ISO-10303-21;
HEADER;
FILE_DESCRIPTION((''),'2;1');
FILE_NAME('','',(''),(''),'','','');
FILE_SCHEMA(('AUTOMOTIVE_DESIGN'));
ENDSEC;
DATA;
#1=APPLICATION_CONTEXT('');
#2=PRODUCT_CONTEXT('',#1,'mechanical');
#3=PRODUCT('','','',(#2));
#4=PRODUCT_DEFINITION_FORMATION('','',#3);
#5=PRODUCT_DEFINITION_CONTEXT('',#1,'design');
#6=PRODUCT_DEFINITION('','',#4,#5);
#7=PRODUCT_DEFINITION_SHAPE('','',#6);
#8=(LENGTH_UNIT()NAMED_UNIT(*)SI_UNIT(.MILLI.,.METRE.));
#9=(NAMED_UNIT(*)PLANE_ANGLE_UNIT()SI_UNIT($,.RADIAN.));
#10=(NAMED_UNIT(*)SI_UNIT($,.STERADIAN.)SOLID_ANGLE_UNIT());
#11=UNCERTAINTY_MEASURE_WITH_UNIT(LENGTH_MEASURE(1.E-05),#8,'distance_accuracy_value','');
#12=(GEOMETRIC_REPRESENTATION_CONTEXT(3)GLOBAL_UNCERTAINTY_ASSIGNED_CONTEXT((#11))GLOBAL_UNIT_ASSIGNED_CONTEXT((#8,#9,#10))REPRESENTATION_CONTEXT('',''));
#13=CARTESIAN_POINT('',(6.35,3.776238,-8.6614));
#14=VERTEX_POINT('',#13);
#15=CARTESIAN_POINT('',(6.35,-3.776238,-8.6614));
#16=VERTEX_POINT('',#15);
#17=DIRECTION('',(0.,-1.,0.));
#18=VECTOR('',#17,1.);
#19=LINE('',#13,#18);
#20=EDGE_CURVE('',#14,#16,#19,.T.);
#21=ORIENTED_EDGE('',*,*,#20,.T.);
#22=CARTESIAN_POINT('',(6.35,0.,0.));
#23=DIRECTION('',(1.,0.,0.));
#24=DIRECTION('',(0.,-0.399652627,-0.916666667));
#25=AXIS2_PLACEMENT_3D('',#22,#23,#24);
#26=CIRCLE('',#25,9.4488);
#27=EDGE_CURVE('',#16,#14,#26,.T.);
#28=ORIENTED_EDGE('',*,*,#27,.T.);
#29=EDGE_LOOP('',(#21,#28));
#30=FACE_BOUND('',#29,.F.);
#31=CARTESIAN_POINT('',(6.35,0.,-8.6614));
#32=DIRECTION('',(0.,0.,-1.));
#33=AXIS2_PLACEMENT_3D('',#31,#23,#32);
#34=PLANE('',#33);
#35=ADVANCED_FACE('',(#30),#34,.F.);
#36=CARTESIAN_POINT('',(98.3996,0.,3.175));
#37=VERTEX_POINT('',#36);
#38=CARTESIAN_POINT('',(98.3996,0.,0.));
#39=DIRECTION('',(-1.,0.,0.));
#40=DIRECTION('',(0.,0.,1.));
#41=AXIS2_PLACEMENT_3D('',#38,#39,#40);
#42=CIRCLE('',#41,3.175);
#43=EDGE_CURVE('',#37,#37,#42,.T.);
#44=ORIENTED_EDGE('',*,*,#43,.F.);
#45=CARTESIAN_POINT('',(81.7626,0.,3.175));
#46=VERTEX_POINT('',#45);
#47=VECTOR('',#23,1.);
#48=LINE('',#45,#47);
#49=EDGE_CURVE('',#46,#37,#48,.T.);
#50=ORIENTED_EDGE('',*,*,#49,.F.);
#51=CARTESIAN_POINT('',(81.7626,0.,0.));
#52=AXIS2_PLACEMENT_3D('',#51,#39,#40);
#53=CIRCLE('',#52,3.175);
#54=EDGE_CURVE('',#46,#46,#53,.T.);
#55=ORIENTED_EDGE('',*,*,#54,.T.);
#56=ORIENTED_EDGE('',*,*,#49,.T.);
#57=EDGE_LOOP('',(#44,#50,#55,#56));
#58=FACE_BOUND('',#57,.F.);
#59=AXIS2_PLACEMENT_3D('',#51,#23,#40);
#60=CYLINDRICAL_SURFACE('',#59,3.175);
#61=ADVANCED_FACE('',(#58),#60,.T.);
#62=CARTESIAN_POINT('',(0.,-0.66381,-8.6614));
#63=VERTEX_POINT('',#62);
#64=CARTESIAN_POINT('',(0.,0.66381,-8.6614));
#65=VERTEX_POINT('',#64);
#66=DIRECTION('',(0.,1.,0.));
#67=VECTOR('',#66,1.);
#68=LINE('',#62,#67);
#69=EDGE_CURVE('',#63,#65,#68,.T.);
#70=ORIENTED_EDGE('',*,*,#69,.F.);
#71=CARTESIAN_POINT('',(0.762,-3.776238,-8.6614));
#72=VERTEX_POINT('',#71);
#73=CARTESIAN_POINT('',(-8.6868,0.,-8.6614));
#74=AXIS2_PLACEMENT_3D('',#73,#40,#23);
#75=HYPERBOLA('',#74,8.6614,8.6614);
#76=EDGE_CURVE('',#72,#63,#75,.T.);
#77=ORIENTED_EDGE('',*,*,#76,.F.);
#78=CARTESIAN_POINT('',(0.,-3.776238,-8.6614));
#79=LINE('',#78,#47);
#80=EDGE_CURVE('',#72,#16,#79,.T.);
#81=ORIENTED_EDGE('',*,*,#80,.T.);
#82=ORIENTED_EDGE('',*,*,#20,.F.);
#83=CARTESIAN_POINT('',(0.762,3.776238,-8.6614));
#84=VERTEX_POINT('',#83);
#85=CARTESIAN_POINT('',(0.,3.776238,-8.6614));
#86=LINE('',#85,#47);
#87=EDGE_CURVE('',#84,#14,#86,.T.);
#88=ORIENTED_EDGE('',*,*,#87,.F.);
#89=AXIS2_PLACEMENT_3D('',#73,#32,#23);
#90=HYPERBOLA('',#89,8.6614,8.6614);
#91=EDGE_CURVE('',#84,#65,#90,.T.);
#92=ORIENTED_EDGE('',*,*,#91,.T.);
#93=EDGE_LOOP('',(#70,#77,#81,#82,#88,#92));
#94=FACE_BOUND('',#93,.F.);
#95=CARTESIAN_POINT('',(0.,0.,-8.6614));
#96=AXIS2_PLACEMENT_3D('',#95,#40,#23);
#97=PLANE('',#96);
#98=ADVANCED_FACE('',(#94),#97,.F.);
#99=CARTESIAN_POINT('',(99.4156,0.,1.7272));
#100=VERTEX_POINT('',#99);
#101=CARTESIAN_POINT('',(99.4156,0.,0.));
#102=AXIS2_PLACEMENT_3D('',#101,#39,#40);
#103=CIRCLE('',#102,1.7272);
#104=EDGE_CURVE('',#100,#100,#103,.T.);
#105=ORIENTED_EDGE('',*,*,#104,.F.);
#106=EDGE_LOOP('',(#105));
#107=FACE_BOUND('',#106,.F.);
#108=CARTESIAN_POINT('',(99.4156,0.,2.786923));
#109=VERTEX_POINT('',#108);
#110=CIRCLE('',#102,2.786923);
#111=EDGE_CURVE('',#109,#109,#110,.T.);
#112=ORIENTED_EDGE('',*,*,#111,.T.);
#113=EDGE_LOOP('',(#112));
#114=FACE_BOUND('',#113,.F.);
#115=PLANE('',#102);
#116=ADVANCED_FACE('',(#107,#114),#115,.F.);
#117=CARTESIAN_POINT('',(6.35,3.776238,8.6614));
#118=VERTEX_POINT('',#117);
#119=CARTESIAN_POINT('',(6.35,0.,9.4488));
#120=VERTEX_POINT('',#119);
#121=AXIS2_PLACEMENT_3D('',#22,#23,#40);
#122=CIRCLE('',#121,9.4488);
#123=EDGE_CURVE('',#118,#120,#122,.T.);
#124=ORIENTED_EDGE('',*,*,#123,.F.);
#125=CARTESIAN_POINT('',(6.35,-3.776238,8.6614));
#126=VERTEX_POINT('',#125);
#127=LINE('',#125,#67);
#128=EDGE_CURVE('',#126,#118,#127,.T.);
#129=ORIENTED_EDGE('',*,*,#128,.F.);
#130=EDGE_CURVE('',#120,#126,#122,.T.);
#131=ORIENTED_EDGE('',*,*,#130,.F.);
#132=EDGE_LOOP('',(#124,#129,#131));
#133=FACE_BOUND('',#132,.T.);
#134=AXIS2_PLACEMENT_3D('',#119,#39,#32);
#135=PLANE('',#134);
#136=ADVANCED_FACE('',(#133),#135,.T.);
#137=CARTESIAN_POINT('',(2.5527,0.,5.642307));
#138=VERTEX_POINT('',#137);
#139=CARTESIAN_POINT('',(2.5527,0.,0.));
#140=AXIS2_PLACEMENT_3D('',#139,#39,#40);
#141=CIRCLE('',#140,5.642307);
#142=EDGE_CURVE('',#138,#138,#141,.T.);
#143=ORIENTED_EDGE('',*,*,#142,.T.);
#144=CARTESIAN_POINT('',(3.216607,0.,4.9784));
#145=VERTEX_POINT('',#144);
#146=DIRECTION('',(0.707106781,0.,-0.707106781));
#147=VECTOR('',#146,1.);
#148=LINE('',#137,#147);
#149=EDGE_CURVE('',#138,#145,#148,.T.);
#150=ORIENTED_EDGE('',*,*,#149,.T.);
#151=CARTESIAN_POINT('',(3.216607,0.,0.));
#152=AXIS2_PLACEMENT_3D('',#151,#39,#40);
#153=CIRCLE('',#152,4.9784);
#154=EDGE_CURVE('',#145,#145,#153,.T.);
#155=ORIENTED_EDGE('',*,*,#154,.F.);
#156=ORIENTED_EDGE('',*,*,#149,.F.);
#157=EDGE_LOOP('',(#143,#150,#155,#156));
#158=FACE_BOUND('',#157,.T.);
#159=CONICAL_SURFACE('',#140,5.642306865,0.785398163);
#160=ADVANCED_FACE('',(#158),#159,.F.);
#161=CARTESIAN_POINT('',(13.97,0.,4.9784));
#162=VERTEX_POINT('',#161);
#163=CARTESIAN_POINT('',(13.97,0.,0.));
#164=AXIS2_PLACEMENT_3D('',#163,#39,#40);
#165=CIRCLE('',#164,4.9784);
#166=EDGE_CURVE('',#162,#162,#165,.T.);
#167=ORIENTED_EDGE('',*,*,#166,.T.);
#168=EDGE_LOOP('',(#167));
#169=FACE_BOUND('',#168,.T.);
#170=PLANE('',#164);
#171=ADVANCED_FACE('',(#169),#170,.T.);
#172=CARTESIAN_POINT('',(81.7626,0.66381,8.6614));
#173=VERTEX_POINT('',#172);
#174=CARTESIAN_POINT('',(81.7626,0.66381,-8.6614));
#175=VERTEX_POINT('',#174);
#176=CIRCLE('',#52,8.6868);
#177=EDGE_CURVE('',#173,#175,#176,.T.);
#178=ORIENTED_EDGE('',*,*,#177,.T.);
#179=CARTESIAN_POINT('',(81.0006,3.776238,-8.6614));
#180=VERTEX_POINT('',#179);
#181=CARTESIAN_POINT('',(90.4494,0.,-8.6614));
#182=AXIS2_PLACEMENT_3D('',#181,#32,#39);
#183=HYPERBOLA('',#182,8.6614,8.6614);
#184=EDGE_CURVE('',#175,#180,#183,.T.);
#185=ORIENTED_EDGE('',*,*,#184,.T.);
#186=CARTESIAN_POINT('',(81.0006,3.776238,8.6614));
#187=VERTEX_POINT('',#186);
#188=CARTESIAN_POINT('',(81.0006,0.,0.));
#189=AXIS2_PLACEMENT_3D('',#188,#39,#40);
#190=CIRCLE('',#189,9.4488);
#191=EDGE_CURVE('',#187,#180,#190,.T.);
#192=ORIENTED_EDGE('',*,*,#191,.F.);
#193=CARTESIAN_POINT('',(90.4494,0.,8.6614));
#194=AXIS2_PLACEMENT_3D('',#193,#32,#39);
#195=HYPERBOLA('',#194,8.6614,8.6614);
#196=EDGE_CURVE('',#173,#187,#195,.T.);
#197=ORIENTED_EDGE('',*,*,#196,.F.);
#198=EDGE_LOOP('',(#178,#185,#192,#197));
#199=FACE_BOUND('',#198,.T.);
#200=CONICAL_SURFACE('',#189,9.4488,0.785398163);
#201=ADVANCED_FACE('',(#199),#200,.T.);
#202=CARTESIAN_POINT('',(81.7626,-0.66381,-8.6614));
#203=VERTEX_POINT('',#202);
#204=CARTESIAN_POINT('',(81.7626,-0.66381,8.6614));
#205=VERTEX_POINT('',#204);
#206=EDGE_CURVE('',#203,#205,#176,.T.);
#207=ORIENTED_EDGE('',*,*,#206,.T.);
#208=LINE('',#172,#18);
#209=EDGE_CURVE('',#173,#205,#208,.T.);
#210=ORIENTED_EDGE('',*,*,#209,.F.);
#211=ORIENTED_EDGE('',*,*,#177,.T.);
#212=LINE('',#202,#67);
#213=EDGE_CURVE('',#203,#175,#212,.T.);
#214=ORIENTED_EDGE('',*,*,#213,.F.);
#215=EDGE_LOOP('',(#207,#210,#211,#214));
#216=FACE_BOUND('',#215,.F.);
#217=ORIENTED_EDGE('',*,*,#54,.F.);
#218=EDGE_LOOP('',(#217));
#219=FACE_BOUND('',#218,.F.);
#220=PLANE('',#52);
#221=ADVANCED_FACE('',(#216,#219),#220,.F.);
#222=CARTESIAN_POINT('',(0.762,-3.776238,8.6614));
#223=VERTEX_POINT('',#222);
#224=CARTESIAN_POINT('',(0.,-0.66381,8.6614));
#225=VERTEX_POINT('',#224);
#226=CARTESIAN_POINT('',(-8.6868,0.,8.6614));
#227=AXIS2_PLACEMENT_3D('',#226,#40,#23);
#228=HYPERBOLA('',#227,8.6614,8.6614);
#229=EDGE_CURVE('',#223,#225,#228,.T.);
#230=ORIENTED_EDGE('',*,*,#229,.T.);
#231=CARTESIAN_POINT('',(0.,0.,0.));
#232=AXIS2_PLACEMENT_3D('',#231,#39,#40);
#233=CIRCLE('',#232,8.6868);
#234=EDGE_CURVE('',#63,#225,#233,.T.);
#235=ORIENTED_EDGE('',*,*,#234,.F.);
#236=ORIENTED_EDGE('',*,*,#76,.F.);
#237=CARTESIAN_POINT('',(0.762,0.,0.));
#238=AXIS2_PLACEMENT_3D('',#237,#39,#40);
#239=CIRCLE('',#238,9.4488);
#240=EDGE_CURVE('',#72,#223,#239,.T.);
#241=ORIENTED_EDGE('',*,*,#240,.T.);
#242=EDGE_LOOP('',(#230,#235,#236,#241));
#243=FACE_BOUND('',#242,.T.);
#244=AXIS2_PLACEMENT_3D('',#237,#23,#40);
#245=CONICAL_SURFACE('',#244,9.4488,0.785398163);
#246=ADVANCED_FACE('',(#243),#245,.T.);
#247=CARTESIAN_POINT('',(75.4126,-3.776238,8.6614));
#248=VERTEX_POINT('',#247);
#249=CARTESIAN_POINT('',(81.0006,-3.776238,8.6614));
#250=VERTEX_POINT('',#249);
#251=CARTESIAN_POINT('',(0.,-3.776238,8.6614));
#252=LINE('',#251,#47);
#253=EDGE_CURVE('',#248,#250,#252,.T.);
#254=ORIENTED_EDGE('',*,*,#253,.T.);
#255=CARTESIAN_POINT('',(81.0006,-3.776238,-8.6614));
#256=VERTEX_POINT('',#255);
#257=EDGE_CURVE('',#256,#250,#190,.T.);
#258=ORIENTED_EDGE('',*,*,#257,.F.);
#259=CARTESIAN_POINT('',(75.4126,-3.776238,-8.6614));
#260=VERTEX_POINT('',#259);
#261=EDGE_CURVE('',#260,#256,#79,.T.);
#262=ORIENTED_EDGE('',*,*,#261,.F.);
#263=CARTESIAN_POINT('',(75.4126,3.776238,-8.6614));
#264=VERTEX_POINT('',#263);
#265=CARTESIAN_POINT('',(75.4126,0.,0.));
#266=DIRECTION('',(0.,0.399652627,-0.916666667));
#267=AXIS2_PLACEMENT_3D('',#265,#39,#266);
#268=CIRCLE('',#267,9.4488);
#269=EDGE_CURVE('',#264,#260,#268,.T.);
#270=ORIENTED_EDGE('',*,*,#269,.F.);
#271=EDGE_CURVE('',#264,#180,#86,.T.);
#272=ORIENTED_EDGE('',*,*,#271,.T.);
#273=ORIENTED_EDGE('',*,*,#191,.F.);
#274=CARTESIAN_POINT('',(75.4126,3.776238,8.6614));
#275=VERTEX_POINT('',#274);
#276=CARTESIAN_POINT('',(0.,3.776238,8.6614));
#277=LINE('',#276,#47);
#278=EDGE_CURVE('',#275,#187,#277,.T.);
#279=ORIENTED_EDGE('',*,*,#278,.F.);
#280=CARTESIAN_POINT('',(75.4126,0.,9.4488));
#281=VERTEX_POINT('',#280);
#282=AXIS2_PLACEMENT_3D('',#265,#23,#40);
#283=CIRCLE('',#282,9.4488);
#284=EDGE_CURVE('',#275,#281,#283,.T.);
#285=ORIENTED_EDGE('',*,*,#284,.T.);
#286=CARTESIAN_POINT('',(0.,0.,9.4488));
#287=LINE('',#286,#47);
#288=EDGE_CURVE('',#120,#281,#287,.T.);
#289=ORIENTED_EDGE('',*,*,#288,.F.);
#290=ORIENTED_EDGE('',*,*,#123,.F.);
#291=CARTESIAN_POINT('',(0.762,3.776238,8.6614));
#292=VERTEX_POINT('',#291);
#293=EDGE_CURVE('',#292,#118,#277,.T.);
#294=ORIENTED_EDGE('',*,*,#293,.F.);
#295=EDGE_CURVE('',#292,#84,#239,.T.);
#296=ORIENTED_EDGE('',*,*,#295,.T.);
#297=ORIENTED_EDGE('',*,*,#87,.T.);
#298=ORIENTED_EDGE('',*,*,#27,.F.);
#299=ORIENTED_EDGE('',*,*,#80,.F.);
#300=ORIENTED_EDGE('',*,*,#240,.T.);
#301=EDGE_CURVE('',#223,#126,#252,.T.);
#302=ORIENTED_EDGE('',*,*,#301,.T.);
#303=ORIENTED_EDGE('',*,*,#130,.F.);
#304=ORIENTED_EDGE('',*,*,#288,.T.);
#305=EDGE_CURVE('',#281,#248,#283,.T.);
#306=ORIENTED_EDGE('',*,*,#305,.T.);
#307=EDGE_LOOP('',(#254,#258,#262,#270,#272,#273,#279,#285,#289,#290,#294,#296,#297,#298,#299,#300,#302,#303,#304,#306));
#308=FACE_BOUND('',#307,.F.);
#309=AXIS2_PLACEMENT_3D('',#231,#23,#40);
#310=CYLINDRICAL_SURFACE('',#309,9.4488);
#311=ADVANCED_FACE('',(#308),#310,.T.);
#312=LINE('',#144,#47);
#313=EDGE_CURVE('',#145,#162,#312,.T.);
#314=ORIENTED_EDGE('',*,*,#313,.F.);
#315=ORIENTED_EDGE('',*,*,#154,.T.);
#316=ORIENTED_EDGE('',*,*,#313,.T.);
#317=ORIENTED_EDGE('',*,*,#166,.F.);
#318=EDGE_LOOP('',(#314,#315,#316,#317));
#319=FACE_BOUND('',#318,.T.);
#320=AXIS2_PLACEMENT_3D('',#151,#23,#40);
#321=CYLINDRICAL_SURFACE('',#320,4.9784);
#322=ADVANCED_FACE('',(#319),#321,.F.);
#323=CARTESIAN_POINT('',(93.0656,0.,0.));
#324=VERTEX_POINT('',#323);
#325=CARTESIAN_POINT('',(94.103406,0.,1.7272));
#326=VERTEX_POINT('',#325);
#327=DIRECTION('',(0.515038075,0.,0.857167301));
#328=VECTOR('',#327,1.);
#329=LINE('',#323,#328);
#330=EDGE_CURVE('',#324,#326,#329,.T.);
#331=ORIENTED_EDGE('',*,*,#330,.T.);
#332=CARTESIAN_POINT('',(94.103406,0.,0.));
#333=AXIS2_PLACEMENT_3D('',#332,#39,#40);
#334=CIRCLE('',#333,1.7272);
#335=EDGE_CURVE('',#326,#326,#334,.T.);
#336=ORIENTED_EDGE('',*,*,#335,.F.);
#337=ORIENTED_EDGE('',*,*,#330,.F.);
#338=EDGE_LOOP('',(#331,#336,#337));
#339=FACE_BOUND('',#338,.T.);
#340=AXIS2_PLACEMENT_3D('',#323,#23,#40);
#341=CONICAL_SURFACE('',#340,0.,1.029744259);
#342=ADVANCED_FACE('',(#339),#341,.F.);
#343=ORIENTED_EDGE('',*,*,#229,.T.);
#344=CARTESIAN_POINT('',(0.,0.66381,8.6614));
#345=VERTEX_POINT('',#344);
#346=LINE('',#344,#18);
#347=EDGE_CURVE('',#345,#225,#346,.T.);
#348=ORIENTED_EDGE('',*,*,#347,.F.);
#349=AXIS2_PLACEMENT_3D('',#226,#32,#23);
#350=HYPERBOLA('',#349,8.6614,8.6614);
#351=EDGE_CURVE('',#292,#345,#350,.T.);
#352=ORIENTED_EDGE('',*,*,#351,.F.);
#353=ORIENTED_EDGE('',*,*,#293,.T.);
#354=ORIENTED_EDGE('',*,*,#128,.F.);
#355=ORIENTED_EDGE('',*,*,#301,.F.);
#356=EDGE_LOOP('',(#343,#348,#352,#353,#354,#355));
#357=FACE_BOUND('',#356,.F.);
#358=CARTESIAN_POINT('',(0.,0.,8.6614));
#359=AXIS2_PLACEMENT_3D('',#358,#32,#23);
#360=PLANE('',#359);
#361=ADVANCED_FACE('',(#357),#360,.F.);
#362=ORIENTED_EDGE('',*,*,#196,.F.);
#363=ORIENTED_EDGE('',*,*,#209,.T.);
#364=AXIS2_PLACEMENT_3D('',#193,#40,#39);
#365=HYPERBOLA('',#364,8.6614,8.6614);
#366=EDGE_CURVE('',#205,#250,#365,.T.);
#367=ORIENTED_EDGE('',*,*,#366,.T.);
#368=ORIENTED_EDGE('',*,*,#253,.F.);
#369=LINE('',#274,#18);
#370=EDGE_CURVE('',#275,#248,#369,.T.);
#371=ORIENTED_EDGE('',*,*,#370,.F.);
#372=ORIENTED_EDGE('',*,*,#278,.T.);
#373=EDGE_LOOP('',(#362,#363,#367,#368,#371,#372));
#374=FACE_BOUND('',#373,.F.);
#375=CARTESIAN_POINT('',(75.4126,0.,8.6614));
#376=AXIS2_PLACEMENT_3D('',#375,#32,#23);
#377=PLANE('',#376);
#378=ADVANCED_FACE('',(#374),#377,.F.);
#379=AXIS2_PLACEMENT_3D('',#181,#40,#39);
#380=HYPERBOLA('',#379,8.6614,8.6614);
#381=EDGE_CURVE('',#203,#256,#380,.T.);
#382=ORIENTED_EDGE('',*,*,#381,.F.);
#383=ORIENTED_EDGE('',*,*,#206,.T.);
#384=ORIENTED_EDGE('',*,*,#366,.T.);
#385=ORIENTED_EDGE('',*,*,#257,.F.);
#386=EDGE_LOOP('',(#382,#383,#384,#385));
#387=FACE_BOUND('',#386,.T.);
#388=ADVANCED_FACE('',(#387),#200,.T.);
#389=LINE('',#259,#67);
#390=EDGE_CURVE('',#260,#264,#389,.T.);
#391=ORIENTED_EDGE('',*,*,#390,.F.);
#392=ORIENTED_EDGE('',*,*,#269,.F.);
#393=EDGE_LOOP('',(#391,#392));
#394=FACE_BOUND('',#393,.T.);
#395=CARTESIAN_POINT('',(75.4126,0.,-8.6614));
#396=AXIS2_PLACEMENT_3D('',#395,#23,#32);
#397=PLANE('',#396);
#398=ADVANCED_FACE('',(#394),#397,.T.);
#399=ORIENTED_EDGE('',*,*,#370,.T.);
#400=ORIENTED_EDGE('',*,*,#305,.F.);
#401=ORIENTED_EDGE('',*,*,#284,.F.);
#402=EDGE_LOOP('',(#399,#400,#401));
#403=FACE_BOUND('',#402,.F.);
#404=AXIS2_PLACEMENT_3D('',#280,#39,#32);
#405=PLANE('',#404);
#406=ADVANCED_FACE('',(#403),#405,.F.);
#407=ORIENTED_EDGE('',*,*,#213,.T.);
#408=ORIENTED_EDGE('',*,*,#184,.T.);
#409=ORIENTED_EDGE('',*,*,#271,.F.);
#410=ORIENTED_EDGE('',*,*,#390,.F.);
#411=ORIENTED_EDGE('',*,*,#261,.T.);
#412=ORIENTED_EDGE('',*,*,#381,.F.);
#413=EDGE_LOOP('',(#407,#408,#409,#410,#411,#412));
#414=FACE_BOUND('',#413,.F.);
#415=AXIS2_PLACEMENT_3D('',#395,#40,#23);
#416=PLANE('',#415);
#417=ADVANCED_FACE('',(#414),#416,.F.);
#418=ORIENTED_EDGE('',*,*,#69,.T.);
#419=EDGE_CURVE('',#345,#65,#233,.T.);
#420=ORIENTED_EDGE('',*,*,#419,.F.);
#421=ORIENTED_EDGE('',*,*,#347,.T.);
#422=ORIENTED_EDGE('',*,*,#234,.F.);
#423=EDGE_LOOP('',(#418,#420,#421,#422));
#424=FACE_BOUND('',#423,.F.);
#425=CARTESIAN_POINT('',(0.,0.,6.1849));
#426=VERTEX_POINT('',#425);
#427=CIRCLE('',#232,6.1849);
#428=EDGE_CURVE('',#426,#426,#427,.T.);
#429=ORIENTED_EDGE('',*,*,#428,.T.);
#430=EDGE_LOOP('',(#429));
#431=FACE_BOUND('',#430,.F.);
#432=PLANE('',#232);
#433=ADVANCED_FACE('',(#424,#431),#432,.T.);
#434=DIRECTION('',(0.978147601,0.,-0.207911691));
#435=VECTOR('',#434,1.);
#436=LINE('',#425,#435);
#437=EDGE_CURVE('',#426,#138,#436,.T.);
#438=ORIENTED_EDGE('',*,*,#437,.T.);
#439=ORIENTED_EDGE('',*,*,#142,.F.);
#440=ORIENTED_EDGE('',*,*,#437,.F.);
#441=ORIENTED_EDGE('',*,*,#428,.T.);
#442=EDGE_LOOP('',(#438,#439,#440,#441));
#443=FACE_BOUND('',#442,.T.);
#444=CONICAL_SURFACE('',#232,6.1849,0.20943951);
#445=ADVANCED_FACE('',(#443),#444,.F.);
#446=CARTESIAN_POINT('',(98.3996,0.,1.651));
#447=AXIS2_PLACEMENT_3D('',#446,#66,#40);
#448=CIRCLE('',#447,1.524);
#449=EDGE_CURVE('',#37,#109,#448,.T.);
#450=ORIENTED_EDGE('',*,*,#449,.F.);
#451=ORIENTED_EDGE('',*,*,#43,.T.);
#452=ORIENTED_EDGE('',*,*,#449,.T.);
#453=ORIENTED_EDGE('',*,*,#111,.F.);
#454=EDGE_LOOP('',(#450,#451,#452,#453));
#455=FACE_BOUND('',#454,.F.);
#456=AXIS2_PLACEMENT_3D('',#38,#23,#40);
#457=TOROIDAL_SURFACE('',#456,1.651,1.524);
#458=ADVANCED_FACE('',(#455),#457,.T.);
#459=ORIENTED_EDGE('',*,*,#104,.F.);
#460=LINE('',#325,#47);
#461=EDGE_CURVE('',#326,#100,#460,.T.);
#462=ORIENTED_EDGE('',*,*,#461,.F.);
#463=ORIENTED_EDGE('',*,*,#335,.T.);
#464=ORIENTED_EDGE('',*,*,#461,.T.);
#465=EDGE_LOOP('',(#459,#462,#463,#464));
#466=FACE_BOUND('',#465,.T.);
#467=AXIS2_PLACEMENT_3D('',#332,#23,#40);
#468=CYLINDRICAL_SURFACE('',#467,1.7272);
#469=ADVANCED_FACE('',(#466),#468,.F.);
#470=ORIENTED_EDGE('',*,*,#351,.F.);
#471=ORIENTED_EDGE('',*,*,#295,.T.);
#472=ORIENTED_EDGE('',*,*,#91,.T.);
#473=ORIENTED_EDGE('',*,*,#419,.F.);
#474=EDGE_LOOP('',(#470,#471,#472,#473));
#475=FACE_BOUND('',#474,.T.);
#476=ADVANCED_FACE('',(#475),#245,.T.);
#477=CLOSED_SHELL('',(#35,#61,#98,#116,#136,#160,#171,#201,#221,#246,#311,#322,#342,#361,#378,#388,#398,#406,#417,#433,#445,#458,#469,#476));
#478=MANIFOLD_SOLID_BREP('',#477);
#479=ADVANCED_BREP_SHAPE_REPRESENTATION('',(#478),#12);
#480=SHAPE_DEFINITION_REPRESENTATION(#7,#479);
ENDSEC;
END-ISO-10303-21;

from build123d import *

# Parameters (mm, degrees)
CHAMFER1_SIZE           = 0.762
SKETCH5_W               = 6.35
SKETCH5_H               = 0.7874
CUT_EXTRUDE1_DEPTH      = 10.4488
CUT_EXTRUDE1_DEPTH_BACK = 10.4488
SKETCH6_W               = 6.35
SKETCH6_H               = 0.7874
CUT_EXTRUDE2_DEPTH      = 10.4488
CUT_EXTRUDE2_DEPTH_BACK = 10.4488


with BuildPart() as part:
    # Sketch1 → Revolve1 (revolve)
    with BuildSketch(Plane(origin=(0, 0, 0), x_dir=(-1, 0, 0), z_dir=(0, 0, -1)), mode=Mode.PRIVATE) as revolve1_sk:
        with BuildLine():
            Line((-99.4156, 2.786922533), (-99.4156, 0))
            Line((-99.4156, 0), (0, 0))
            Line((0, 0), (0, 9.4488))
            Line((0, 9.4488), (-81.7626, 9.4488))
            Line((-81.7626, 9.4488), (-81.7626, 3.175))
            Line((-81.7626, 3.175), (-98.3996, 3.175))
            ThreePointArc((-98.3996, 3.175), (-98.943396865, 3.074678675), (-99.4156, 2.786922533))
        make_face()
    revolve(revolve1_sk.sketch.rotate(Axis((99.4156, 0, 0), (-1, 0, 0)), 270), axis=Axis((99.4156, 0, 0), (-1, 0, 0)))  # turned: the seam where the file's is

    # Sketch2 → Cut-Revolve1 (revolve, cut)
    with BuildSketch(Plane(origin=(0, 0, 0), x_dir=(-1, 0, 0), z_dir=(0, 0, -1)), mode=Mode.PRIVATE) as cut_revolve1_sk:
        Polygon((-13.97, 4.9784), (-13.97, 0), (0, 0), (0, 6.1849), (-2.5527, 5.642306865), (-3.216606865, 4.9784), align=None)
    revolve(cut_revolve1_sk.sketch.rotate(Axis((13.97, 0, 0), (-1, 0, 0)), 270), axis=Axis((13.97, 0, 0), (-1, 0, 0)), mode=Mode.SUBTRACT)  # turned: the seam where the file's is

    # Sketch3 → Cut-Revolve2 (revolve, cut)
    with BuildSketch(Plane(origin=(0, 0, 0), x_dir=(-1, 0, 0), z_dir=(0, 0, -1)), mode=Mode.PRIVATE) as cut_revolve2_sk:
        Polygon((-99.4156, 1.7272), (-99.4156, 0), (-93.0656, 0), (-94.103406461, 1.7272), align=None)
    revolve(cut_revolve2_sk.sketch.rotate(Axis((66.313858967, 0, 0), (-1, 0, 0)), 270), axis=Axis((66.313858967, 0, 0), (-1, 0, 0)), mode=Mode.SUBTRACT)  # turned: the seam where the file's is

    # Chamfer1
    chamfer1_edges = [part.edges().sort_by_distance(p)[0] for p in [
        (81.7626, 0, -9.4488),
        (0, 0, -9.4488),
    ]]
    chamfer(chamfer1_edges, length=CHAMFER1_SIZE)

    # Sketch5 → Cut-Extrude1 (cut, two sides)
    with BuildSketch(Plane(origin=(0, 0, 0), x_dir=(1, 0, 0), z_dir=(0, 1, 0))) as cut_extrude1_sk:
        with Locations((3.175, 9.0551)):
            Rectangle(SKETCH5_W, SKETCH5_H)
        with Locations((3.175, -9.0551)):
            Rectangle(SKETCH5_W, SKETCH5_H)
    extrude(amount=CUT_EXTRUDE1_DEPTH, mode=Mode.SUBTRACT)
    extrude(cut_extrude1_sk.sketch, amount=-CUT_EXTRUDE1_DEPTH_BACK, mode=Mode.SUBTRACT)

    # Sketch6 → Cut-Extrude2 (cut, two sides)
    with BuildSketch(Plane(origin=(0, 0, 0), x_dir=(1, 0, 0), z_dir=(0, 1, 0))) as cut_extrude2_sk:
        with Locations((78.5876, 9.0551)):
            Rectangle(SKETCH6_W, SKETCH6_H)
        with Locations((78.5876, -9.0551)):
            Rectangle(SKETCH6_W, SKETCH6_H)
    extrude(amount=CUT_EXTRUDE2_DEPTH, mode=Mode.SUBTRACT)
    extrude(cut_extrude2_sk.sketch, amount=-CUT_EXTRUDE2_DEPTH_BACK, mode=Mode.SUBTRACT)


solid = part.part
